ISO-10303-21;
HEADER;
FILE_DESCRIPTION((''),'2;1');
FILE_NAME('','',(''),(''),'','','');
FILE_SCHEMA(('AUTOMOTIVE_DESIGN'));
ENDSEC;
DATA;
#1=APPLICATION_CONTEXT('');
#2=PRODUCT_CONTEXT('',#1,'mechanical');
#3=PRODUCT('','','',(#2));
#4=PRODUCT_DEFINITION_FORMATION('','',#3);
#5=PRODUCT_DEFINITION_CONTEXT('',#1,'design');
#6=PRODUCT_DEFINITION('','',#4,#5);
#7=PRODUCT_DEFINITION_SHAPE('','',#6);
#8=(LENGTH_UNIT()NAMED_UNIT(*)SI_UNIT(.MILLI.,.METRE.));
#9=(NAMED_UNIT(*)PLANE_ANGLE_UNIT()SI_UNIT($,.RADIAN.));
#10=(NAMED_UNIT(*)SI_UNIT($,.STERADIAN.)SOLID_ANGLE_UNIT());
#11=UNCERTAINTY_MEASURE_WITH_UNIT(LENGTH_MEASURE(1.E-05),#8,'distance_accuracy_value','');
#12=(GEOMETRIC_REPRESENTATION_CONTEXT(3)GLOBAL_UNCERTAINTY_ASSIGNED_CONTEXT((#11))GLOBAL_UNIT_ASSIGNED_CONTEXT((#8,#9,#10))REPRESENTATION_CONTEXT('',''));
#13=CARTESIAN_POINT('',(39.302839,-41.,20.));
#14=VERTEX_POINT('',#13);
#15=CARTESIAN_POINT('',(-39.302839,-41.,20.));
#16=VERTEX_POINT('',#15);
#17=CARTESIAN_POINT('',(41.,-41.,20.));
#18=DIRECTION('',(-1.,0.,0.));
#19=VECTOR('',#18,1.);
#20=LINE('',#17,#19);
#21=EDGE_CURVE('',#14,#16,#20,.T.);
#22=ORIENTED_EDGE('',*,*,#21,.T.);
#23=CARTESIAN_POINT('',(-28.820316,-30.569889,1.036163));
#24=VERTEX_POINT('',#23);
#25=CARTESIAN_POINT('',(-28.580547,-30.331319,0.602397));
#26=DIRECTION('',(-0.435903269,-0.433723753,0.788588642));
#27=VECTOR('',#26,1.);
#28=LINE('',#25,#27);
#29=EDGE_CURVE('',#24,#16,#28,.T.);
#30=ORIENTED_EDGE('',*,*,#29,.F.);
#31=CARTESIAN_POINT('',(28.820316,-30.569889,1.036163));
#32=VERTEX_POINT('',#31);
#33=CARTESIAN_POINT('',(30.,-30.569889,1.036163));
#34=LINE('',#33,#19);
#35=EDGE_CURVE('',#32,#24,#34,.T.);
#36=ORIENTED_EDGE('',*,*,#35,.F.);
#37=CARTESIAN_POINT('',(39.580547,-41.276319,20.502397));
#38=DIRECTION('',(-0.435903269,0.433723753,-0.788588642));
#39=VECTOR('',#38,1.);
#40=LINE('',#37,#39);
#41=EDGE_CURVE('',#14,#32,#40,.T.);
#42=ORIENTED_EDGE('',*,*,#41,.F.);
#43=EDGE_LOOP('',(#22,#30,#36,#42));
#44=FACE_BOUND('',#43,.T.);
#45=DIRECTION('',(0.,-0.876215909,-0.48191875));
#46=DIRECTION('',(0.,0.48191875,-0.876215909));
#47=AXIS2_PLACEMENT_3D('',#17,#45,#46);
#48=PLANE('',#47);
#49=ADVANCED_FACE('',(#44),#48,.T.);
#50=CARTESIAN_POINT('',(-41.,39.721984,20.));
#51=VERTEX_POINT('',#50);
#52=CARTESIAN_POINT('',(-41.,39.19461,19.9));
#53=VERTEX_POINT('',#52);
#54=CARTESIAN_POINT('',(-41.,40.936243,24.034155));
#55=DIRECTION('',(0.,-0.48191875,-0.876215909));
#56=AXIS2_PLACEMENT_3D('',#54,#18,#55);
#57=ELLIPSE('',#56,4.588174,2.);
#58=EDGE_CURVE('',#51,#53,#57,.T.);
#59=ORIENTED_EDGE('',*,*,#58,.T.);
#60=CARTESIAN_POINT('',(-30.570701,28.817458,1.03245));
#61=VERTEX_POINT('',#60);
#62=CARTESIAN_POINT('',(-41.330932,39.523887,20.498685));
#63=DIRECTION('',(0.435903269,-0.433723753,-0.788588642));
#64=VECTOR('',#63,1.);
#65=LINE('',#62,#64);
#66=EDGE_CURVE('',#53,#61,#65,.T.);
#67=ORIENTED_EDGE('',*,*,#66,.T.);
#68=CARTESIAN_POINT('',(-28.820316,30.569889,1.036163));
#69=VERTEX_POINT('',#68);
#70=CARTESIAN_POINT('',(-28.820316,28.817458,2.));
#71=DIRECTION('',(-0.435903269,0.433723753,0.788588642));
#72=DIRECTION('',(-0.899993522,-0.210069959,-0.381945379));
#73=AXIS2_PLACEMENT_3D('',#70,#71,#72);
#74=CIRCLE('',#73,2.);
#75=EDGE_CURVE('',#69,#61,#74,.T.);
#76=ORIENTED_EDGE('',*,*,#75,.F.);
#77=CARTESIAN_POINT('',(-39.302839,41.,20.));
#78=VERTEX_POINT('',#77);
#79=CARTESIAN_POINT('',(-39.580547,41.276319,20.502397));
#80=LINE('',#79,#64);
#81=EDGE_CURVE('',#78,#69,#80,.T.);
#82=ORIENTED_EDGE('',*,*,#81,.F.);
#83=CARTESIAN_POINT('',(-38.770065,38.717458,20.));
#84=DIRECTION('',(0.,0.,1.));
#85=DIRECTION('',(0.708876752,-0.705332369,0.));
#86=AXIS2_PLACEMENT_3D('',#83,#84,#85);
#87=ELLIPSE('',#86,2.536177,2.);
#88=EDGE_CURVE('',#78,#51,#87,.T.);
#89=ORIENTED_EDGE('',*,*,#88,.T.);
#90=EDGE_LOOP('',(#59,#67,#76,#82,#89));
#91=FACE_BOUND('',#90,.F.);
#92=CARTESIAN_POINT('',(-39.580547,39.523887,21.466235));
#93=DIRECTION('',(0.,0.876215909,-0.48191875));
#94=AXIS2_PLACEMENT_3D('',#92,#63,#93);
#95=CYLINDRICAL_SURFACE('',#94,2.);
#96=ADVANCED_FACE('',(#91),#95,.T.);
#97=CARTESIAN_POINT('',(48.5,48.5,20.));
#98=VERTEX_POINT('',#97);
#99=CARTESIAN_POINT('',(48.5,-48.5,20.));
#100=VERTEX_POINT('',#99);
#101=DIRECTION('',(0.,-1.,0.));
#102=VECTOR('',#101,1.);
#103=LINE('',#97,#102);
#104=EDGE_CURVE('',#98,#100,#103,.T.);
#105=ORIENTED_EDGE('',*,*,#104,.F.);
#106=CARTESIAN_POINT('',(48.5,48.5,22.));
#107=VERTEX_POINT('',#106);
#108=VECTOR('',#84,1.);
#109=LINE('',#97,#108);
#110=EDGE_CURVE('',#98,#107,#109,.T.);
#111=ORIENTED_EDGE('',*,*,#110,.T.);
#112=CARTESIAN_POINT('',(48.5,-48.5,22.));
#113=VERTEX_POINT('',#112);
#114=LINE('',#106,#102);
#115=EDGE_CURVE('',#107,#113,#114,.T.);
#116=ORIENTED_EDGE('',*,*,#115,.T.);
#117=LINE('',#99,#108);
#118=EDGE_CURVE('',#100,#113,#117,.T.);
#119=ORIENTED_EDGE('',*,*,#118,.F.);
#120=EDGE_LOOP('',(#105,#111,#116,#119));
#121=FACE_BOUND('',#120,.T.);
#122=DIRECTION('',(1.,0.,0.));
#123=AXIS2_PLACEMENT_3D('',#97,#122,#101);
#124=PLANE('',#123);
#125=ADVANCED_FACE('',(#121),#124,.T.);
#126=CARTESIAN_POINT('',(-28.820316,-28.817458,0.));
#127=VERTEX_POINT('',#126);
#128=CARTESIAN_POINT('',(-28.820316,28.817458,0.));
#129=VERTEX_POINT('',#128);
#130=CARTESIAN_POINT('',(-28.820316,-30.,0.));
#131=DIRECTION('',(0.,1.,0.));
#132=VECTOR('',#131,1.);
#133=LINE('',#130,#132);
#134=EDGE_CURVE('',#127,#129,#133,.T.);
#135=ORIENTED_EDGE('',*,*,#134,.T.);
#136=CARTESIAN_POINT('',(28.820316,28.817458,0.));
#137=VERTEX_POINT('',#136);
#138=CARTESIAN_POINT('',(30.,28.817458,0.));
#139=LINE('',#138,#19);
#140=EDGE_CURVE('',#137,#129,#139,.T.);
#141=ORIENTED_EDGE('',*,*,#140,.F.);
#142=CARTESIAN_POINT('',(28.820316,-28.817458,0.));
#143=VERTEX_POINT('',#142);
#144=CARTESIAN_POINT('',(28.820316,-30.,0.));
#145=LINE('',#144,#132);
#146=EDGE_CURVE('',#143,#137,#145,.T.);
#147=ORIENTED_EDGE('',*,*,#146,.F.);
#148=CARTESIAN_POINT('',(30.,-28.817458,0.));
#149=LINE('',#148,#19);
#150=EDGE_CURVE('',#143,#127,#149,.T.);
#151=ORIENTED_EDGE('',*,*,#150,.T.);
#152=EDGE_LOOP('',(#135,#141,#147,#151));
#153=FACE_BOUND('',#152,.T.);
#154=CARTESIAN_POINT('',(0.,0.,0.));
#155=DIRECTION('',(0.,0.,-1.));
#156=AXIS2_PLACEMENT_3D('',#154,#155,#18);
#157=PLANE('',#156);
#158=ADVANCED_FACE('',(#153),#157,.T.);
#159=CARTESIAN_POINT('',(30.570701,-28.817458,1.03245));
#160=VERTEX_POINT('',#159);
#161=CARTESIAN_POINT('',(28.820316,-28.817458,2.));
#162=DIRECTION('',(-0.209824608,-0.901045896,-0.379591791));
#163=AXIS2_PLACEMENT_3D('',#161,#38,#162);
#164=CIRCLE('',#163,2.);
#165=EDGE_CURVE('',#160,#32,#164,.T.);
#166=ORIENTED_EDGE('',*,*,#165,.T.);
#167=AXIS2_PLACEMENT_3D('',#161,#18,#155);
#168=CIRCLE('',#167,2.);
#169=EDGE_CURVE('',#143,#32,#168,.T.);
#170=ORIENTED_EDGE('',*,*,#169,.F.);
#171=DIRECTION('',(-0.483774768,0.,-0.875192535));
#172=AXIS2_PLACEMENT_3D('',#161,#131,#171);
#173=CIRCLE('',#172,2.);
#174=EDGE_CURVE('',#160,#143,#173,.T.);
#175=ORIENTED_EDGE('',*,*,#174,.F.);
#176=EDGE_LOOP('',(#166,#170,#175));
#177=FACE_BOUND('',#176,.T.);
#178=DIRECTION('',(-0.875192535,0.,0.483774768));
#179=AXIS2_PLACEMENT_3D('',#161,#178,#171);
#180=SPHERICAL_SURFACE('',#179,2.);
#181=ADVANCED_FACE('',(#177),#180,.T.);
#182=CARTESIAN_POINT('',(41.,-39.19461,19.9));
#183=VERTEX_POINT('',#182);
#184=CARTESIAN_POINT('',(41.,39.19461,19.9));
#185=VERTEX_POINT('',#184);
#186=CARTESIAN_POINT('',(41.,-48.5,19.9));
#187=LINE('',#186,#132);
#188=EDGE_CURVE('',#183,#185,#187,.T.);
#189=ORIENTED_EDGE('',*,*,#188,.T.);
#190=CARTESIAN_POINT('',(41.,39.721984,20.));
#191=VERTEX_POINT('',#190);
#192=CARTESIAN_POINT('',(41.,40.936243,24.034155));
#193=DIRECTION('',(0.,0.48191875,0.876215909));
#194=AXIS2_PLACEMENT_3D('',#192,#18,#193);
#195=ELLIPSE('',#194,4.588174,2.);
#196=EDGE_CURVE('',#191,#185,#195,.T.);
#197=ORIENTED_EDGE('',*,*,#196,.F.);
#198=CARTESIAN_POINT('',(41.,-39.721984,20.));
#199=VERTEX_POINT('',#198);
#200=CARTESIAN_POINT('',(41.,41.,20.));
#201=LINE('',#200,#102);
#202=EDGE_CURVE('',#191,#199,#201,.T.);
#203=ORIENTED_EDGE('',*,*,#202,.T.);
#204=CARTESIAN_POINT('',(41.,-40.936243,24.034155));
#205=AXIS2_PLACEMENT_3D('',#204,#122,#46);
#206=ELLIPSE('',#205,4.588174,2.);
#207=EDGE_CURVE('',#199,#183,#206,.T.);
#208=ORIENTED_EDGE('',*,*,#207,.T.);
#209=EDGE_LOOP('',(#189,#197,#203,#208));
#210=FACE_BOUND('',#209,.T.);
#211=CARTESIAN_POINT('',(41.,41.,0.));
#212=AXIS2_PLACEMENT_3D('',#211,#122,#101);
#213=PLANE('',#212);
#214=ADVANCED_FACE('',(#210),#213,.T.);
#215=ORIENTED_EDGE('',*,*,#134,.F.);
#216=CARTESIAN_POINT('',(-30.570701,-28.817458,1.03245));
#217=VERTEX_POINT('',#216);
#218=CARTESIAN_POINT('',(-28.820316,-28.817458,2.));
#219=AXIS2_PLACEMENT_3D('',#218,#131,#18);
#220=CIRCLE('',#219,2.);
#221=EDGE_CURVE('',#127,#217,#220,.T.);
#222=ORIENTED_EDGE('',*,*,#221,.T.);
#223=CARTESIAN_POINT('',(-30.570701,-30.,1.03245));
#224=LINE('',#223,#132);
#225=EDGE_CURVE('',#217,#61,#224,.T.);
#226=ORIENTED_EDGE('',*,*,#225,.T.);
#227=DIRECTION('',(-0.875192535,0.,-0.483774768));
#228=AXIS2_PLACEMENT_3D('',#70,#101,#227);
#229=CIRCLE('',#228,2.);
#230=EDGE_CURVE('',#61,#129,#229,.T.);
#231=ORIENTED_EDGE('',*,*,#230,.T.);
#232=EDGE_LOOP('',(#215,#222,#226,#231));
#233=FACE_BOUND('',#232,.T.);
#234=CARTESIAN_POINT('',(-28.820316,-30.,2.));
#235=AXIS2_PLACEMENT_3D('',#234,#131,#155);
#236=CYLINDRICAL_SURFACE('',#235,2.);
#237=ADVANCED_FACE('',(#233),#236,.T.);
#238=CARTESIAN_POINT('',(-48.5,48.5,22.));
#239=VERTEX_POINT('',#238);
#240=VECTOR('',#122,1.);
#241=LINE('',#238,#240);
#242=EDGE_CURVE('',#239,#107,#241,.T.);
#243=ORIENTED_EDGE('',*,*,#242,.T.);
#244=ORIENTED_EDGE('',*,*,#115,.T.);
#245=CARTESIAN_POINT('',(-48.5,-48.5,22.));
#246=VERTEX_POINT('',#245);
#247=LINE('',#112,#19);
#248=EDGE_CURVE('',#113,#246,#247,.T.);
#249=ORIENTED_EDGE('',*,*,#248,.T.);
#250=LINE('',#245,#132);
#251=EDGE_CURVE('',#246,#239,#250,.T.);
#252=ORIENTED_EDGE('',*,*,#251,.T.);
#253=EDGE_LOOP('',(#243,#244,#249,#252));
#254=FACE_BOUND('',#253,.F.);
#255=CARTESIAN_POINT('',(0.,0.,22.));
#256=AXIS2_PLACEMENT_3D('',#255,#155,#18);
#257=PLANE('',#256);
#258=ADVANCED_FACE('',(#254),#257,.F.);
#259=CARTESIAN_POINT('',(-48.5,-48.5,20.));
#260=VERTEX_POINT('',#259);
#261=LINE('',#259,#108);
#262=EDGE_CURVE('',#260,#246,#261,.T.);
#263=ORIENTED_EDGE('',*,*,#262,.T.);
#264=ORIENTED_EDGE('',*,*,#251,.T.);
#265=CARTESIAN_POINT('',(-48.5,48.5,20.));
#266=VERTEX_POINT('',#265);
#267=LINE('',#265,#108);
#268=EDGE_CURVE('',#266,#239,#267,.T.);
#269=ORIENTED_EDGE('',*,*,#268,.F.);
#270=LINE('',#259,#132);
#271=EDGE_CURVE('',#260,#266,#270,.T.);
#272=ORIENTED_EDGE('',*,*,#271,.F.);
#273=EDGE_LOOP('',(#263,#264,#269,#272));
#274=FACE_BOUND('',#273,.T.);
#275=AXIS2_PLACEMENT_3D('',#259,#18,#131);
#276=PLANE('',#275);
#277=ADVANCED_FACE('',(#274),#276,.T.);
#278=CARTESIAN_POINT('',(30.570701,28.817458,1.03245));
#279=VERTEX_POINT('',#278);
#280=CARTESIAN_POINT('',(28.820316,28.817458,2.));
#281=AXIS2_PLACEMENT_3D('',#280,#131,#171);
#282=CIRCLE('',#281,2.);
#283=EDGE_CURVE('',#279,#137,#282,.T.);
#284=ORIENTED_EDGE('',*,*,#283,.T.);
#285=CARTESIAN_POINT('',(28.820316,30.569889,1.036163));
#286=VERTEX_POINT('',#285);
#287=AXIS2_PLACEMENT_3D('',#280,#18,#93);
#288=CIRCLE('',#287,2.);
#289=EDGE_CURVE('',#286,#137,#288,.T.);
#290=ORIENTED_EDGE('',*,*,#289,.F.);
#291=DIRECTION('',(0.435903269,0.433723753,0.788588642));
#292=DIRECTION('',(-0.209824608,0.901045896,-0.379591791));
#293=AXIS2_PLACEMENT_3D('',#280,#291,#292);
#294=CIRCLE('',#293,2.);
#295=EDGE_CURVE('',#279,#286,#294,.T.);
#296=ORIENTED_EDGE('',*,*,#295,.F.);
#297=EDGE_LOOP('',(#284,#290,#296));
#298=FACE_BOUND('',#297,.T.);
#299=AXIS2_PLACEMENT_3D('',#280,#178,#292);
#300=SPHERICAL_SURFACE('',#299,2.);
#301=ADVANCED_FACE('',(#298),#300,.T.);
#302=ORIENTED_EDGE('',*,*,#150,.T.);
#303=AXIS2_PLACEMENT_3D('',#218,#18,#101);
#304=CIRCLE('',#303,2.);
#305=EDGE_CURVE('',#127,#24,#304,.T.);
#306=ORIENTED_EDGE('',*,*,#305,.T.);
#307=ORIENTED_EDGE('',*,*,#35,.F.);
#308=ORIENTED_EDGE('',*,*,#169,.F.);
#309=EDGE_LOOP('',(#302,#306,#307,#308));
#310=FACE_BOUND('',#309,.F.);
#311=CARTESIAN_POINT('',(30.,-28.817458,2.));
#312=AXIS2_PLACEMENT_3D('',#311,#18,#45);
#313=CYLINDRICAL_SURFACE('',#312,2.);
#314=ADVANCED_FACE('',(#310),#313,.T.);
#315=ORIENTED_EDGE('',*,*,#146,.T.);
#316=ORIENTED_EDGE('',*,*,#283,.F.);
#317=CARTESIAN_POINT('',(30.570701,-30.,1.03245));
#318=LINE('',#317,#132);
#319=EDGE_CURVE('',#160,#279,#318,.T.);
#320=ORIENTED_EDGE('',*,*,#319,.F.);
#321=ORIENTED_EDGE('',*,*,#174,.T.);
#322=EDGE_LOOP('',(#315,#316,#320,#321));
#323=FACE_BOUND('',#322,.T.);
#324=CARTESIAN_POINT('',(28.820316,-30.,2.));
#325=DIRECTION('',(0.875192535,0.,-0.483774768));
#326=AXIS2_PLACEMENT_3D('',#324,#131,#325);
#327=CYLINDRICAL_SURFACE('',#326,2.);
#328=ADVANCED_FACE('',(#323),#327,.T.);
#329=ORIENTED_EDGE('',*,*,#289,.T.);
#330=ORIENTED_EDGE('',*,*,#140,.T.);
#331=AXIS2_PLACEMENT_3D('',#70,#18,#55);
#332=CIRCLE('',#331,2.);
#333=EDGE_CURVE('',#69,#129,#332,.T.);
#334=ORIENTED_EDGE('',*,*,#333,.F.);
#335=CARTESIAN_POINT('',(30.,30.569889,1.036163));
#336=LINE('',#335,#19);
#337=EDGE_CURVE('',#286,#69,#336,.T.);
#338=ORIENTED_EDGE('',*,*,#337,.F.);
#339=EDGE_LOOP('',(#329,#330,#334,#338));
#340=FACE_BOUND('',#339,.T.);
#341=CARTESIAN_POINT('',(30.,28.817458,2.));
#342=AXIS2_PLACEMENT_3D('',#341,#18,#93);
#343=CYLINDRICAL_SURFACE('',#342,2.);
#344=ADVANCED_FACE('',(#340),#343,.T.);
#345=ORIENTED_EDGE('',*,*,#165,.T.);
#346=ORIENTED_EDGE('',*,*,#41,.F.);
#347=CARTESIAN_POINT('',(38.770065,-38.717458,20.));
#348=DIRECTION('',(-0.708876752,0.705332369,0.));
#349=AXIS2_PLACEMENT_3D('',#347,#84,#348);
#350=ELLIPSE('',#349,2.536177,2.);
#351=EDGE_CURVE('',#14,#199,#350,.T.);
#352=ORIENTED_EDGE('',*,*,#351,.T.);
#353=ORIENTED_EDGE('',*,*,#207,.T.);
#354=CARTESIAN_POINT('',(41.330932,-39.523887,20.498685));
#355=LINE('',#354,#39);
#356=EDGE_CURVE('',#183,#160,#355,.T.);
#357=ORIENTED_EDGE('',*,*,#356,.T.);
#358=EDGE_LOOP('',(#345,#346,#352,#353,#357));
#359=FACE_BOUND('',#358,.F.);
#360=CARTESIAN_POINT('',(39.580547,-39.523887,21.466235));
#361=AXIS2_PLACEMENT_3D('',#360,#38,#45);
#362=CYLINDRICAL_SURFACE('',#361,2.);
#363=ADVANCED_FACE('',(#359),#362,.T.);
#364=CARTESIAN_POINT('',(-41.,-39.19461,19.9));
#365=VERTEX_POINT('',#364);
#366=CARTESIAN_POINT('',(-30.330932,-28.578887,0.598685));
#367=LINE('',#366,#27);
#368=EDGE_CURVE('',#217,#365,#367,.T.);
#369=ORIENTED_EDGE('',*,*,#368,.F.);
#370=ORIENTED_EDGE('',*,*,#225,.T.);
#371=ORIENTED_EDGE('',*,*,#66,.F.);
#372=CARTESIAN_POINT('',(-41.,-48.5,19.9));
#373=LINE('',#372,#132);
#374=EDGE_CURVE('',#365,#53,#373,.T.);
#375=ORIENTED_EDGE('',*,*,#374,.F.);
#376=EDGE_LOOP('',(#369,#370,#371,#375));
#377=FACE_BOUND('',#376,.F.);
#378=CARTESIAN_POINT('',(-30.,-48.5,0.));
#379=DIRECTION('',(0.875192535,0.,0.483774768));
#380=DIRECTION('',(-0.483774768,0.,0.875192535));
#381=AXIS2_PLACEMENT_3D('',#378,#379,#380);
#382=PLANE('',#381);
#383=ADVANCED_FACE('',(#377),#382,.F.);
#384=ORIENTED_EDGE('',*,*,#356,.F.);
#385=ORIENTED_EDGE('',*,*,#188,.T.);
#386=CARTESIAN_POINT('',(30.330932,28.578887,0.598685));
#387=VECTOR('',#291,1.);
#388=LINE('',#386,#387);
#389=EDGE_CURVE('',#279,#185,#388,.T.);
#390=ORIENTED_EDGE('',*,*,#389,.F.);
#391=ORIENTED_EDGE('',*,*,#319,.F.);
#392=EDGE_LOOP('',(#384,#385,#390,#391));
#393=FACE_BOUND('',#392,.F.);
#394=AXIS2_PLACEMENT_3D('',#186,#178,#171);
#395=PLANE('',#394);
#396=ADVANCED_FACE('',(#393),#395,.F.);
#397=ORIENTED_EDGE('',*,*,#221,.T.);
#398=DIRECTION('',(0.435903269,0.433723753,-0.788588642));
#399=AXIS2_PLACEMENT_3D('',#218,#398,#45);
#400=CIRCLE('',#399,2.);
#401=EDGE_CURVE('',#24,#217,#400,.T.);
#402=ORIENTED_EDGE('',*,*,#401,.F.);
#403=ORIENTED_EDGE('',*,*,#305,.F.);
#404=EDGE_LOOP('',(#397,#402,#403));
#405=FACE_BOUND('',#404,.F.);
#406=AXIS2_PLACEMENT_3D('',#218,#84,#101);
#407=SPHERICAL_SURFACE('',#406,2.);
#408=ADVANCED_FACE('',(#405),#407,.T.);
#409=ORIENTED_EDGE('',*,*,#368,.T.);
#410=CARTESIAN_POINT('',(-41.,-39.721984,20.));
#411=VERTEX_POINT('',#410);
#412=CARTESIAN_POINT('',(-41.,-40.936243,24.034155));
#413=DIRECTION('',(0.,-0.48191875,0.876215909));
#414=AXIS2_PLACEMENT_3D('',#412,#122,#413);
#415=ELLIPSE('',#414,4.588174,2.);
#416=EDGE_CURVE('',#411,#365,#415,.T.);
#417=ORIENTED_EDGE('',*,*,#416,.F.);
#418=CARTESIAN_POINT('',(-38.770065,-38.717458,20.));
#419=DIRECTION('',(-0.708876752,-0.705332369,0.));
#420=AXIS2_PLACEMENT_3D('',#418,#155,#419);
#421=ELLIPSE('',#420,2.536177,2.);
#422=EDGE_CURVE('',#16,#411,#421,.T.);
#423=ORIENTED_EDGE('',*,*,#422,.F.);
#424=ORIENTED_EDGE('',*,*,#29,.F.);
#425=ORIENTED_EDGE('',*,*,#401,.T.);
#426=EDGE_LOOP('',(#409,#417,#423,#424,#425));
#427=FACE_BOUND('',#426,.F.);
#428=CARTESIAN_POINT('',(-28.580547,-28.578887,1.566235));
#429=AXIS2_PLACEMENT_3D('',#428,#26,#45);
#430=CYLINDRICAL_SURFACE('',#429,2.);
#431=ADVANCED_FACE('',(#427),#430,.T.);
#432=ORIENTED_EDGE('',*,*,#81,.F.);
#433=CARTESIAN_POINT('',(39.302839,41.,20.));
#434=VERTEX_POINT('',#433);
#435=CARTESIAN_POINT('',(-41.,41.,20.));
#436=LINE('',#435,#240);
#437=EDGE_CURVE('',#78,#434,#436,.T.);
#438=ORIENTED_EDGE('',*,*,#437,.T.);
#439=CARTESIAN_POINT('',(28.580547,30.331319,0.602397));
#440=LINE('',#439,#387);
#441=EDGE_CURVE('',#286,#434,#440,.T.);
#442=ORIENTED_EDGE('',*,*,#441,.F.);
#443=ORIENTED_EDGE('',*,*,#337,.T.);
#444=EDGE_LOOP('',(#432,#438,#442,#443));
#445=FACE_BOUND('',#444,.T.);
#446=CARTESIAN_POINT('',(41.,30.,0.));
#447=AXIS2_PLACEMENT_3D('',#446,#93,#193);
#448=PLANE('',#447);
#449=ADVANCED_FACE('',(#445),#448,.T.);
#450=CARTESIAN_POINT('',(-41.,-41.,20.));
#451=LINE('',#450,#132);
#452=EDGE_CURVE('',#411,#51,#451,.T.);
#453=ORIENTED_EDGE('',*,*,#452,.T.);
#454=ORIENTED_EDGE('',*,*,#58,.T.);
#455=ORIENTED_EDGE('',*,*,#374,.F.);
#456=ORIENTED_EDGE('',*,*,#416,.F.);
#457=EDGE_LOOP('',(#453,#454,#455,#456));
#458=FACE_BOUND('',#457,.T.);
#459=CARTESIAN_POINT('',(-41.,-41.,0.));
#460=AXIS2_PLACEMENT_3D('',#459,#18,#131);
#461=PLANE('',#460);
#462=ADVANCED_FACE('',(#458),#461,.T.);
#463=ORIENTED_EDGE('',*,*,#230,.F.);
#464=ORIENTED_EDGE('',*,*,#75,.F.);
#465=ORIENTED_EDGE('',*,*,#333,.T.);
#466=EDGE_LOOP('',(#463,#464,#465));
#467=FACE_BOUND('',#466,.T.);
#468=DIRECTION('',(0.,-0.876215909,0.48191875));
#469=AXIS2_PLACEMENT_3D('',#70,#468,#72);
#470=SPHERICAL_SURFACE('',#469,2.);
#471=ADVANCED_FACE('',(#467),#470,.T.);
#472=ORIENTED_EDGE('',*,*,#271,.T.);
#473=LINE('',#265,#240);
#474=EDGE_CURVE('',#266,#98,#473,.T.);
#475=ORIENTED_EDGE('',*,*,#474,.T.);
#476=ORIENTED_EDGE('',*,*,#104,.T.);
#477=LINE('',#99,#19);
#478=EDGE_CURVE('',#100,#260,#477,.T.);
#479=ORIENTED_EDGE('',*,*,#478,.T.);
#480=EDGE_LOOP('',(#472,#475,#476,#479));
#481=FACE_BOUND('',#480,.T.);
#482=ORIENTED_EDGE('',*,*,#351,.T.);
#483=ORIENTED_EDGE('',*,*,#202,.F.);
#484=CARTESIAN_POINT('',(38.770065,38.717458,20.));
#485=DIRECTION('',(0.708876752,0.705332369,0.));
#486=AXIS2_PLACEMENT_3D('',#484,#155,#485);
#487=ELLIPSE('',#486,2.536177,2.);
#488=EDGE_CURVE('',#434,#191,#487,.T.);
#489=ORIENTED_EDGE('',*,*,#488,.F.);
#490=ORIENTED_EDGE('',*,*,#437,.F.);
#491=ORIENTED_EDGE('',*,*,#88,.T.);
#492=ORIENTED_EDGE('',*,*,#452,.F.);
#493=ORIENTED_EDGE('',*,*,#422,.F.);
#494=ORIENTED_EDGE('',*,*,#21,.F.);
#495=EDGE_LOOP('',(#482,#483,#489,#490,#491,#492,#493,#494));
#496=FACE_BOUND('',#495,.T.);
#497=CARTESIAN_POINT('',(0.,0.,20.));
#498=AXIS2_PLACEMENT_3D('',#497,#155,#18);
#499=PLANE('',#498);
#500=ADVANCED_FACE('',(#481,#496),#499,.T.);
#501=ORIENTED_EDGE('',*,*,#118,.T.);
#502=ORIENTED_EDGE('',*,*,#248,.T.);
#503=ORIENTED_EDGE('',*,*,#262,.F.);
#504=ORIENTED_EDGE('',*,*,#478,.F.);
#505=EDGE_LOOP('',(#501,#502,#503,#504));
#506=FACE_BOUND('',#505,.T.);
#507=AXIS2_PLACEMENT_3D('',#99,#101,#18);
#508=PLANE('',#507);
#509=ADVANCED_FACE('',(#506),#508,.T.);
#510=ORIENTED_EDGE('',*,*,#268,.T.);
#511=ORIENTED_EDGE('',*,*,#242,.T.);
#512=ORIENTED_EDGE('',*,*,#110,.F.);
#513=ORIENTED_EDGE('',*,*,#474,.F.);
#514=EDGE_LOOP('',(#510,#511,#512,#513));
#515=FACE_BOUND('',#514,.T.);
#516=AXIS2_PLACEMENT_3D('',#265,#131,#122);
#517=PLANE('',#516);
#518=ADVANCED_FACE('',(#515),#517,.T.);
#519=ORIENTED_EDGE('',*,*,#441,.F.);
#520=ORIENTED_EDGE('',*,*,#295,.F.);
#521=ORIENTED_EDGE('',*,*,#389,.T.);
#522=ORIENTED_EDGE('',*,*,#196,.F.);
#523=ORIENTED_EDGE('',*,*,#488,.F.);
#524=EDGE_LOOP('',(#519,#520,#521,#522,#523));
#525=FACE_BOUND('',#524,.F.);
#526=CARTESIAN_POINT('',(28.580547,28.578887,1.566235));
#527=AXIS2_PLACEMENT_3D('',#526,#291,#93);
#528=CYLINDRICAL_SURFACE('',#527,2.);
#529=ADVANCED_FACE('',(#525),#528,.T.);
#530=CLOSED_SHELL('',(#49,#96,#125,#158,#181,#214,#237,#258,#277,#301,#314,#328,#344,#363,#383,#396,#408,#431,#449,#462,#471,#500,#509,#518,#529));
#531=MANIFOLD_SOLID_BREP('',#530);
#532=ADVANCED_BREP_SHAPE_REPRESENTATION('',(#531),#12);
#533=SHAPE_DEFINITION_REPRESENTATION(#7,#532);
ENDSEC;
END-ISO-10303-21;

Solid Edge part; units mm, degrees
sketch "Sketch1" plane through (0, 0, 0) normal (0, 0, 1) x (1, 0, 0)
  line L0 (41, -41) -> (-41, -41)
  line L1 (-41, -41) -> (-41, 41)
  line L2 (-41, 41) -> (41, 41)
  line L3 (41, 41) -> (41, -41)
  dimension "D1" = 41
  dimension "D2" = 41
extrude "Protrusion1" add sketch "Sketch1" along normal blind 20
sketch "Sketch2" plane through (41, 0, 10) normal (1, 0, 0) x (0, 1, 0)
  line L0 (-41, 10) -> (-30, -10)
  line L1 (-30, -10) -> (30, -10)
  line L2 (30, -10) -> (41, 10)
  line L3 (-41, 10) -> (41, 10)
extrude "Cutout1" cut sketch "Sketch2" against normal through all flip side to cut
sketch "Sketch3" plane through (0, 0, 20) normal (0, 0, 1) x (0, 1, 0)
  line L0 (48.5, -48.5) -> (-48.5, -48.5)
  line L1 (-48.5, -48.5) -> (-48.5, 48.5)
  line L2 (-48.5, 48.5) -> (48.5, 48.5)
  line L3 (48.5, 48.5) -> (48.5, -48.5)
  dimension "D1" = 48.5
  dimension "D2" = 48.5
extrude "ExtrudedProtrusion_2" add sketch "Sketch3" along normal blind 2
sketch "Sketch4" plane through (0, -48.5, 21.5) normal (0, -1, 0) x (1, 0, 0)
  line L0 (41, -1.6) -> (30, -21.5)
  line L1 (30, -21.5) -> (-30, -21.5)
  line L2 (-30, -21.5) -> (-41, -1.6)
  line L3 (-41, -1.6) -> (-51.646, -1.6)
  line L4 (-51.646, -1.6) -> (-51.646, 3.6738)
  line L5 (-51.646, 3.6738) -> (52.1886, 3.6738)
  line L6 (52.1886, 3.6738) -> (52.1886, -1.6)
  line L7 (52.1886, -1.6) -> (41, -1.6)
  dimension "D1" = 30
extrude "Cutout2" cut sketch "Sketch4" against normal through all flip side to cut
fillet "Round_1" radius 2 8 edges at (-35.5, -35.4725, 9.95) (0, -30, 0) (-30, 0, 0) (-35.5, 35.4725, 9.95) (0, 30, 0) (35.5, 35.4725, 9.95) (30, 0, 0) (35.5, -35.4725, 9.95)
